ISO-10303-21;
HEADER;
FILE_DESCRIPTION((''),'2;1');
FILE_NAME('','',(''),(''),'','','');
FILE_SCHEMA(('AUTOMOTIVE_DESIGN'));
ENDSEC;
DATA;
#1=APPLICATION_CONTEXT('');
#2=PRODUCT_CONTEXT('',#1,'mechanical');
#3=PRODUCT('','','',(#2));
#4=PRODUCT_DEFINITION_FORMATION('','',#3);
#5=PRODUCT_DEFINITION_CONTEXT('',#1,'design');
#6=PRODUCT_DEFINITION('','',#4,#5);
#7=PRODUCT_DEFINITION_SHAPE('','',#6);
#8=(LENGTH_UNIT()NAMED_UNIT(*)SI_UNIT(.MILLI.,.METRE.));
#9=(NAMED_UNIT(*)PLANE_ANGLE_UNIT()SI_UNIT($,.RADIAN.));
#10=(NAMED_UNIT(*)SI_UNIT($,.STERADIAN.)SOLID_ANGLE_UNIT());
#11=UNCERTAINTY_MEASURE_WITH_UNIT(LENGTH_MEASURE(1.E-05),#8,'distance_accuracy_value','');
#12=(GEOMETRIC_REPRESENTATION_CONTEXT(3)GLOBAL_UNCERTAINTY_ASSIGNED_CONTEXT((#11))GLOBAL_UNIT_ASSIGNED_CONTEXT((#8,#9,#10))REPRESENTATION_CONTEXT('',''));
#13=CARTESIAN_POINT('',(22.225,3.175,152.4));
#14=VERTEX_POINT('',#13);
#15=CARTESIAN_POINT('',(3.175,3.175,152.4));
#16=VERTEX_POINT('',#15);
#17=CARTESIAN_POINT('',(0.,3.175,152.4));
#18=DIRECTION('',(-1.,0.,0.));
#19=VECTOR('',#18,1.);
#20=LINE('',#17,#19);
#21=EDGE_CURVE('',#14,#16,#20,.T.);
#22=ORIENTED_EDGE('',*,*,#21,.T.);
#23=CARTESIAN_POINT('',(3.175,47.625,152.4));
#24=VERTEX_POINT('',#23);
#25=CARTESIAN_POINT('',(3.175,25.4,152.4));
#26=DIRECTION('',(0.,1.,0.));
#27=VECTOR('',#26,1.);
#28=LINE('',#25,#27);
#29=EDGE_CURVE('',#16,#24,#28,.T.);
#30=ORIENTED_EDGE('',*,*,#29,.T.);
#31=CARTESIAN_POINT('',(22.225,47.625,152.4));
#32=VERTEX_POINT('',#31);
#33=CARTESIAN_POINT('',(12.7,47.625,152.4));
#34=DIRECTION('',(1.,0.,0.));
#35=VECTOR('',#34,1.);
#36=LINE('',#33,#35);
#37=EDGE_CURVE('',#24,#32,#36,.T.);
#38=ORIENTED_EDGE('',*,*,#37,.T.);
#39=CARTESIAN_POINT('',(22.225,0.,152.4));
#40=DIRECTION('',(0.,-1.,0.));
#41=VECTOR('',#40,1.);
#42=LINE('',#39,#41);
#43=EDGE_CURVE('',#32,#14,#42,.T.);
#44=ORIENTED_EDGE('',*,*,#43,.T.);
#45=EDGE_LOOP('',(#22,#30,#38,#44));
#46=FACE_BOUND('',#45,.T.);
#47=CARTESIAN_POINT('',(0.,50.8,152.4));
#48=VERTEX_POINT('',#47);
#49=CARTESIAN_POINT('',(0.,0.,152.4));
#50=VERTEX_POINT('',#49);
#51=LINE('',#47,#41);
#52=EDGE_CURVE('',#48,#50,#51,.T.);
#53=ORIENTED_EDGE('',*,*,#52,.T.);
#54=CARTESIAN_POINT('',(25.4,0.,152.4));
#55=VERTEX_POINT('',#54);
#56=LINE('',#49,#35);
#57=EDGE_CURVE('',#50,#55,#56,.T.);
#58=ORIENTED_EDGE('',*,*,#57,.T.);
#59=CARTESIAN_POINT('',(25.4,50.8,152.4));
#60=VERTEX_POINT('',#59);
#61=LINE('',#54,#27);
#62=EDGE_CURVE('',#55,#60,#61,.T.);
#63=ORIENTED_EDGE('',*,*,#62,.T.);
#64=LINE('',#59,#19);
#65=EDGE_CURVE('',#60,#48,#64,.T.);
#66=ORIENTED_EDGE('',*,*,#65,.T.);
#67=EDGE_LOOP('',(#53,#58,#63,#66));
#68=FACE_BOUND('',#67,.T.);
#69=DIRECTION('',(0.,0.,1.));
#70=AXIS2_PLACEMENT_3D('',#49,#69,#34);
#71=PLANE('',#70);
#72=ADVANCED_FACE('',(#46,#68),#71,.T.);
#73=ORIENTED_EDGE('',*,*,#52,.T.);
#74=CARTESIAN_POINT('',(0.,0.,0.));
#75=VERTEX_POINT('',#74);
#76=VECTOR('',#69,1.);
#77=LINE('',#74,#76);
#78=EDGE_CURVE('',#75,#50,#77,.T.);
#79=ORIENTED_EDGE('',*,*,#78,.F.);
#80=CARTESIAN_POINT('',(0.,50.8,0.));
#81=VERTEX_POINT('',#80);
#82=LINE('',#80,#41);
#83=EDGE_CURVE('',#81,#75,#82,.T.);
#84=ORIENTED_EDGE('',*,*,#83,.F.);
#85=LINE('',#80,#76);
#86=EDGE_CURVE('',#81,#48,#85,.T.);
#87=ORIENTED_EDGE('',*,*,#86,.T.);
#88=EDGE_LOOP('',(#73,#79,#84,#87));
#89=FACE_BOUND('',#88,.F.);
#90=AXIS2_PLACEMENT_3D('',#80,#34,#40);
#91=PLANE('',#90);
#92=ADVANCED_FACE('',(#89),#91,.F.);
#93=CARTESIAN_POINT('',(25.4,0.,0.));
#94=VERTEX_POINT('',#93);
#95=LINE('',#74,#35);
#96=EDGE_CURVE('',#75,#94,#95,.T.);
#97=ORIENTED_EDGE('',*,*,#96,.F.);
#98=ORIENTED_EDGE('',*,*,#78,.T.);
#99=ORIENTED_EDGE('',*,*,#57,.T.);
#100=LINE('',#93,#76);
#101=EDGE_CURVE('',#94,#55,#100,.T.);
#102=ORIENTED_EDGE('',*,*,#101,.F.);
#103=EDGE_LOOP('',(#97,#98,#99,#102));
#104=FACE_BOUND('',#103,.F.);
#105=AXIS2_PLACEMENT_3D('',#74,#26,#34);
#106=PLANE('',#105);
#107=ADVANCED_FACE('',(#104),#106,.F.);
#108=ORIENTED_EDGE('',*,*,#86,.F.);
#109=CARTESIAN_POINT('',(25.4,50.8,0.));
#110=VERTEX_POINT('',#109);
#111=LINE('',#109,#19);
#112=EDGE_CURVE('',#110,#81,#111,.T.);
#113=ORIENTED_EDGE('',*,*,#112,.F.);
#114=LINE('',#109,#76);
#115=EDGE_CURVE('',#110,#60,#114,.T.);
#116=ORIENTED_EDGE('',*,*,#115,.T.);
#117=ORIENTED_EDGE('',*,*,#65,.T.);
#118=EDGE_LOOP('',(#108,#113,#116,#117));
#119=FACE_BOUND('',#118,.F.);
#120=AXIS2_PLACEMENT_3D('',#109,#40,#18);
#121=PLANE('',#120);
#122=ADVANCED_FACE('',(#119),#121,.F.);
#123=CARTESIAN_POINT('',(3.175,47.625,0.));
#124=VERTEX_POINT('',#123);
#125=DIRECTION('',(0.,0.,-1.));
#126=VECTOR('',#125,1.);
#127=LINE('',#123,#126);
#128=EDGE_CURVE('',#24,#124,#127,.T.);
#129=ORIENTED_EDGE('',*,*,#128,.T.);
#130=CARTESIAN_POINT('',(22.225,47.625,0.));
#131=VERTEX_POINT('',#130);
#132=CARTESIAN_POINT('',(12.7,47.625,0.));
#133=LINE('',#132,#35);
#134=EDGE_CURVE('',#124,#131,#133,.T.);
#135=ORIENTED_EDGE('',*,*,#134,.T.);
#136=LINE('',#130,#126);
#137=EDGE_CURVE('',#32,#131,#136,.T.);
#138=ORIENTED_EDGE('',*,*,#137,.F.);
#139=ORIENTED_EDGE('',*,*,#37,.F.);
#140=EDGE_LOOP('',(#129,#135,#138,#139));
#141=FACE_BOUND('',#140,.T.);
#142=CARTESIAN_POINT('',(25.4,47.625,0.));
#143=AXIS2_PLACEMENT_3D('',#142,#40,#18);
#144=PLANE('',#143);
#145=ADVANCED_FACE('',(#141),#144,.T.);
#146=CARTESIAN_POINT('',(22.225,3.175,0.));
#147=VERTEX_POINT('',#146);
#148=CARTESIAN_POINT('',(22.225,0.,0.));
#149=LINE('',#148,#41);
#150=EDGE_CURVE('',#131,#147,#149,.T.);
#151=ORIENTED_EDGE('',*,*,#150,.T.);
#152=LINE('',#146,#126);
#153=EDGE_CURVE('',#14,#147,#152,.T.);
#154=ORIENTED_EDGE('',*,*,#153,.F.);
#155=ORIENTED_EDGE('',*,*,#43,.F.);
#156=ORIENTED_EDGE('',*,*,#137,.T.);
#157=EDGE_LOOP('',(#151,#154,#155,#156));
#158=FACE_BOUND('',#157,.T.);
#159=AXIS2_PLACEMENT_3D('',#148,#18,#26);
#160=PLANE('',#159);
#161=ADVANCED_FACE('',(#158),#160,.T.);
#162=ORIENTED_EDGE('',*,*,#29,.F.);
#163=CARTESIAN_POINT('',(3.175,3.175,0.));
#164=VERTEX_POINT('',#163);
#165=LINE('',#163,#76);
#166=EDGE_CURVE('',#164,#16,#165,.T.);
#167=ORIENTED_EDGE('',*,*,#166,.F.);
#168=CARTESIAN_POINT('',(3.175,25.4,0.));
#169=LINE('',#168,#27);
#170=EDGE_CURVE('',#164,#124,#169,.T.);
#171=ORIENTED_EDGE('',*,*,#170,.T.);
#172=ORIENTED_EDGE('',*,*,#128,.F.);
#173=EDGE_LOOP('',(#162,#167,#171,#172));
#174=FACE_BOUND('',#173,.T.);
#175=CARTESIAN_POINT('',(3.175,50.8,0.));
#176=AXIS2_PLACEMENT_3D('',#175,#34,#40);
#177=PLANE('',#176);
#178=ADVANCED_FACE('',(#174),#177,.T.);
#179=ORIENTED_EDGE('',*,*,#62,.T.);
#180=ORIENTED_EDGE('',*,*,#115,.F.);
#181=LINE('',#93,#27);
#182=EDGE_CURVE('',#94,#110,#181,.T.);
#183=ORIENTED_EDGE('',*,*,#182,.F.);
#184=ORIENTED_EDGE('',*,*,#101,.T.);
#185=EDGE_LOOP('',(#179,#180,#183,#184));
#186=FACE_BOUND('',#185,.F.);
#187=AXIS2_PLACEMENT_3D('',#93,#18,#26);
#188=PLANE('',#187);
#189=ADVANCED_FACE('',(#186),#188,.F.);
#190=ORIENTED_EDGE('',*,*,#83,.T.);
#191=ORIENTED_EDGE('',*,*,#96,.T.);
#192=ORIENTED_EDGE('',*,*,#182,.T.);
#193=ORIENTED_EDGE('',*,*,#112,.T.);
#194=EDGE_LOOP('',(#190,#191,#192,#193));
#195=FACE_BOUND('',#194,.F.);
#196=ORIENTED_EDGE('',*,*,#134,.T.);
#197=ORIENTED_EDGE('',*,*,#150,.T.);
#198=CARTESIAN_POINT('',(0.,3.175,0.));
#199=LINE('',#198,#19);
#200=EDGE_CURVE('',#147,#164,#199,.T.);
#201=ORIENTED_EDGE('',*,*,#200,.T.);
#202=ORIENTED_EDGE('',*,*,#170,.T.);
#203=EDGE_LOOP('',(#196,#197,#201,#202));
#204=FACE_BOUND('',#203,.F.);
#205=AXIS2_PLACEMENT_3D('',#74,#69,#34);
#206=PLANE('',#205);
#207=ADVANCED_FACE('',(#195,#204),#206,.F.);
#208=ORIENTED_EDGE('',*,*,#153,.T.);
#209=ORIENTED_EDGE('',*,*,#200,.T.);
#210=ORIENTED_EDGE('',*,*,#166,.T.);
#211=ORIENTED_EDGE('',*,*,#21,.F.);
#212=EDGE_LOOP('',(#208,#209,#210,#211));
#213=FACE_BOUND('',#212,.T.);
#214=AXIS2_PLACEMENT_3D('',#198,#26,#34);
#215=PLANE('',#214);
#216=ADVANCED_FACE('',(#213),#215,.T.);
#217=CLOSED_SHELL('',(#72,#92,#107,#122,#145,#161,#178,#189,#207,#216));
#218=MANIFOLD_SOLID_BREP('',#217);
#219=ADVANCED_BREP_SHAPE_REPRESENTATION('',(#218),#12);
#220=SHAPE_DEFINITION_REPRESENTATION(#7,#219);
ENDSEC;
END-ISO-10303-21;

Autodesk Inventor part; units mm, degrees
ref_plane "YZ Plane" through (0, 0, 0) normal (1, 0, 0) x (0, 1, 0)
ref_plane "XZ Plane" through (0, 0, 0) normal (0, 1, 0) x (-1, 0, 0)
ref_plane "XY Plane" through (0, 0, 0) normal (0, 0, 1) x (1, 0, 0)
sketch "Sketch1" plane through (0, 0, 0) normal (0, 0, 1) x (1, 0, 0)
  line L0 (0, 0) -> (25.4, 0)
  line L1 (25.4, 0) -> (25.4, 50.8)
  line L2 (25.4, 50.8) -> (0, 50.8)
  line L3 (0, 50.8) -> (0, 0)
  dimension "d0" = 25.4
  dimension "d1" = 50.8
extrude "Extrusion1" add sketch "Sketch1" along normal blind 152.4
shell "Shell1" thickness 3.175 removed faces 2 at (8.4667, 33.8667, 0) at (8.4667, 33.8667, 152.4)
properties part number "Frame_MidRollerMount" material "Aluminum-6061"
